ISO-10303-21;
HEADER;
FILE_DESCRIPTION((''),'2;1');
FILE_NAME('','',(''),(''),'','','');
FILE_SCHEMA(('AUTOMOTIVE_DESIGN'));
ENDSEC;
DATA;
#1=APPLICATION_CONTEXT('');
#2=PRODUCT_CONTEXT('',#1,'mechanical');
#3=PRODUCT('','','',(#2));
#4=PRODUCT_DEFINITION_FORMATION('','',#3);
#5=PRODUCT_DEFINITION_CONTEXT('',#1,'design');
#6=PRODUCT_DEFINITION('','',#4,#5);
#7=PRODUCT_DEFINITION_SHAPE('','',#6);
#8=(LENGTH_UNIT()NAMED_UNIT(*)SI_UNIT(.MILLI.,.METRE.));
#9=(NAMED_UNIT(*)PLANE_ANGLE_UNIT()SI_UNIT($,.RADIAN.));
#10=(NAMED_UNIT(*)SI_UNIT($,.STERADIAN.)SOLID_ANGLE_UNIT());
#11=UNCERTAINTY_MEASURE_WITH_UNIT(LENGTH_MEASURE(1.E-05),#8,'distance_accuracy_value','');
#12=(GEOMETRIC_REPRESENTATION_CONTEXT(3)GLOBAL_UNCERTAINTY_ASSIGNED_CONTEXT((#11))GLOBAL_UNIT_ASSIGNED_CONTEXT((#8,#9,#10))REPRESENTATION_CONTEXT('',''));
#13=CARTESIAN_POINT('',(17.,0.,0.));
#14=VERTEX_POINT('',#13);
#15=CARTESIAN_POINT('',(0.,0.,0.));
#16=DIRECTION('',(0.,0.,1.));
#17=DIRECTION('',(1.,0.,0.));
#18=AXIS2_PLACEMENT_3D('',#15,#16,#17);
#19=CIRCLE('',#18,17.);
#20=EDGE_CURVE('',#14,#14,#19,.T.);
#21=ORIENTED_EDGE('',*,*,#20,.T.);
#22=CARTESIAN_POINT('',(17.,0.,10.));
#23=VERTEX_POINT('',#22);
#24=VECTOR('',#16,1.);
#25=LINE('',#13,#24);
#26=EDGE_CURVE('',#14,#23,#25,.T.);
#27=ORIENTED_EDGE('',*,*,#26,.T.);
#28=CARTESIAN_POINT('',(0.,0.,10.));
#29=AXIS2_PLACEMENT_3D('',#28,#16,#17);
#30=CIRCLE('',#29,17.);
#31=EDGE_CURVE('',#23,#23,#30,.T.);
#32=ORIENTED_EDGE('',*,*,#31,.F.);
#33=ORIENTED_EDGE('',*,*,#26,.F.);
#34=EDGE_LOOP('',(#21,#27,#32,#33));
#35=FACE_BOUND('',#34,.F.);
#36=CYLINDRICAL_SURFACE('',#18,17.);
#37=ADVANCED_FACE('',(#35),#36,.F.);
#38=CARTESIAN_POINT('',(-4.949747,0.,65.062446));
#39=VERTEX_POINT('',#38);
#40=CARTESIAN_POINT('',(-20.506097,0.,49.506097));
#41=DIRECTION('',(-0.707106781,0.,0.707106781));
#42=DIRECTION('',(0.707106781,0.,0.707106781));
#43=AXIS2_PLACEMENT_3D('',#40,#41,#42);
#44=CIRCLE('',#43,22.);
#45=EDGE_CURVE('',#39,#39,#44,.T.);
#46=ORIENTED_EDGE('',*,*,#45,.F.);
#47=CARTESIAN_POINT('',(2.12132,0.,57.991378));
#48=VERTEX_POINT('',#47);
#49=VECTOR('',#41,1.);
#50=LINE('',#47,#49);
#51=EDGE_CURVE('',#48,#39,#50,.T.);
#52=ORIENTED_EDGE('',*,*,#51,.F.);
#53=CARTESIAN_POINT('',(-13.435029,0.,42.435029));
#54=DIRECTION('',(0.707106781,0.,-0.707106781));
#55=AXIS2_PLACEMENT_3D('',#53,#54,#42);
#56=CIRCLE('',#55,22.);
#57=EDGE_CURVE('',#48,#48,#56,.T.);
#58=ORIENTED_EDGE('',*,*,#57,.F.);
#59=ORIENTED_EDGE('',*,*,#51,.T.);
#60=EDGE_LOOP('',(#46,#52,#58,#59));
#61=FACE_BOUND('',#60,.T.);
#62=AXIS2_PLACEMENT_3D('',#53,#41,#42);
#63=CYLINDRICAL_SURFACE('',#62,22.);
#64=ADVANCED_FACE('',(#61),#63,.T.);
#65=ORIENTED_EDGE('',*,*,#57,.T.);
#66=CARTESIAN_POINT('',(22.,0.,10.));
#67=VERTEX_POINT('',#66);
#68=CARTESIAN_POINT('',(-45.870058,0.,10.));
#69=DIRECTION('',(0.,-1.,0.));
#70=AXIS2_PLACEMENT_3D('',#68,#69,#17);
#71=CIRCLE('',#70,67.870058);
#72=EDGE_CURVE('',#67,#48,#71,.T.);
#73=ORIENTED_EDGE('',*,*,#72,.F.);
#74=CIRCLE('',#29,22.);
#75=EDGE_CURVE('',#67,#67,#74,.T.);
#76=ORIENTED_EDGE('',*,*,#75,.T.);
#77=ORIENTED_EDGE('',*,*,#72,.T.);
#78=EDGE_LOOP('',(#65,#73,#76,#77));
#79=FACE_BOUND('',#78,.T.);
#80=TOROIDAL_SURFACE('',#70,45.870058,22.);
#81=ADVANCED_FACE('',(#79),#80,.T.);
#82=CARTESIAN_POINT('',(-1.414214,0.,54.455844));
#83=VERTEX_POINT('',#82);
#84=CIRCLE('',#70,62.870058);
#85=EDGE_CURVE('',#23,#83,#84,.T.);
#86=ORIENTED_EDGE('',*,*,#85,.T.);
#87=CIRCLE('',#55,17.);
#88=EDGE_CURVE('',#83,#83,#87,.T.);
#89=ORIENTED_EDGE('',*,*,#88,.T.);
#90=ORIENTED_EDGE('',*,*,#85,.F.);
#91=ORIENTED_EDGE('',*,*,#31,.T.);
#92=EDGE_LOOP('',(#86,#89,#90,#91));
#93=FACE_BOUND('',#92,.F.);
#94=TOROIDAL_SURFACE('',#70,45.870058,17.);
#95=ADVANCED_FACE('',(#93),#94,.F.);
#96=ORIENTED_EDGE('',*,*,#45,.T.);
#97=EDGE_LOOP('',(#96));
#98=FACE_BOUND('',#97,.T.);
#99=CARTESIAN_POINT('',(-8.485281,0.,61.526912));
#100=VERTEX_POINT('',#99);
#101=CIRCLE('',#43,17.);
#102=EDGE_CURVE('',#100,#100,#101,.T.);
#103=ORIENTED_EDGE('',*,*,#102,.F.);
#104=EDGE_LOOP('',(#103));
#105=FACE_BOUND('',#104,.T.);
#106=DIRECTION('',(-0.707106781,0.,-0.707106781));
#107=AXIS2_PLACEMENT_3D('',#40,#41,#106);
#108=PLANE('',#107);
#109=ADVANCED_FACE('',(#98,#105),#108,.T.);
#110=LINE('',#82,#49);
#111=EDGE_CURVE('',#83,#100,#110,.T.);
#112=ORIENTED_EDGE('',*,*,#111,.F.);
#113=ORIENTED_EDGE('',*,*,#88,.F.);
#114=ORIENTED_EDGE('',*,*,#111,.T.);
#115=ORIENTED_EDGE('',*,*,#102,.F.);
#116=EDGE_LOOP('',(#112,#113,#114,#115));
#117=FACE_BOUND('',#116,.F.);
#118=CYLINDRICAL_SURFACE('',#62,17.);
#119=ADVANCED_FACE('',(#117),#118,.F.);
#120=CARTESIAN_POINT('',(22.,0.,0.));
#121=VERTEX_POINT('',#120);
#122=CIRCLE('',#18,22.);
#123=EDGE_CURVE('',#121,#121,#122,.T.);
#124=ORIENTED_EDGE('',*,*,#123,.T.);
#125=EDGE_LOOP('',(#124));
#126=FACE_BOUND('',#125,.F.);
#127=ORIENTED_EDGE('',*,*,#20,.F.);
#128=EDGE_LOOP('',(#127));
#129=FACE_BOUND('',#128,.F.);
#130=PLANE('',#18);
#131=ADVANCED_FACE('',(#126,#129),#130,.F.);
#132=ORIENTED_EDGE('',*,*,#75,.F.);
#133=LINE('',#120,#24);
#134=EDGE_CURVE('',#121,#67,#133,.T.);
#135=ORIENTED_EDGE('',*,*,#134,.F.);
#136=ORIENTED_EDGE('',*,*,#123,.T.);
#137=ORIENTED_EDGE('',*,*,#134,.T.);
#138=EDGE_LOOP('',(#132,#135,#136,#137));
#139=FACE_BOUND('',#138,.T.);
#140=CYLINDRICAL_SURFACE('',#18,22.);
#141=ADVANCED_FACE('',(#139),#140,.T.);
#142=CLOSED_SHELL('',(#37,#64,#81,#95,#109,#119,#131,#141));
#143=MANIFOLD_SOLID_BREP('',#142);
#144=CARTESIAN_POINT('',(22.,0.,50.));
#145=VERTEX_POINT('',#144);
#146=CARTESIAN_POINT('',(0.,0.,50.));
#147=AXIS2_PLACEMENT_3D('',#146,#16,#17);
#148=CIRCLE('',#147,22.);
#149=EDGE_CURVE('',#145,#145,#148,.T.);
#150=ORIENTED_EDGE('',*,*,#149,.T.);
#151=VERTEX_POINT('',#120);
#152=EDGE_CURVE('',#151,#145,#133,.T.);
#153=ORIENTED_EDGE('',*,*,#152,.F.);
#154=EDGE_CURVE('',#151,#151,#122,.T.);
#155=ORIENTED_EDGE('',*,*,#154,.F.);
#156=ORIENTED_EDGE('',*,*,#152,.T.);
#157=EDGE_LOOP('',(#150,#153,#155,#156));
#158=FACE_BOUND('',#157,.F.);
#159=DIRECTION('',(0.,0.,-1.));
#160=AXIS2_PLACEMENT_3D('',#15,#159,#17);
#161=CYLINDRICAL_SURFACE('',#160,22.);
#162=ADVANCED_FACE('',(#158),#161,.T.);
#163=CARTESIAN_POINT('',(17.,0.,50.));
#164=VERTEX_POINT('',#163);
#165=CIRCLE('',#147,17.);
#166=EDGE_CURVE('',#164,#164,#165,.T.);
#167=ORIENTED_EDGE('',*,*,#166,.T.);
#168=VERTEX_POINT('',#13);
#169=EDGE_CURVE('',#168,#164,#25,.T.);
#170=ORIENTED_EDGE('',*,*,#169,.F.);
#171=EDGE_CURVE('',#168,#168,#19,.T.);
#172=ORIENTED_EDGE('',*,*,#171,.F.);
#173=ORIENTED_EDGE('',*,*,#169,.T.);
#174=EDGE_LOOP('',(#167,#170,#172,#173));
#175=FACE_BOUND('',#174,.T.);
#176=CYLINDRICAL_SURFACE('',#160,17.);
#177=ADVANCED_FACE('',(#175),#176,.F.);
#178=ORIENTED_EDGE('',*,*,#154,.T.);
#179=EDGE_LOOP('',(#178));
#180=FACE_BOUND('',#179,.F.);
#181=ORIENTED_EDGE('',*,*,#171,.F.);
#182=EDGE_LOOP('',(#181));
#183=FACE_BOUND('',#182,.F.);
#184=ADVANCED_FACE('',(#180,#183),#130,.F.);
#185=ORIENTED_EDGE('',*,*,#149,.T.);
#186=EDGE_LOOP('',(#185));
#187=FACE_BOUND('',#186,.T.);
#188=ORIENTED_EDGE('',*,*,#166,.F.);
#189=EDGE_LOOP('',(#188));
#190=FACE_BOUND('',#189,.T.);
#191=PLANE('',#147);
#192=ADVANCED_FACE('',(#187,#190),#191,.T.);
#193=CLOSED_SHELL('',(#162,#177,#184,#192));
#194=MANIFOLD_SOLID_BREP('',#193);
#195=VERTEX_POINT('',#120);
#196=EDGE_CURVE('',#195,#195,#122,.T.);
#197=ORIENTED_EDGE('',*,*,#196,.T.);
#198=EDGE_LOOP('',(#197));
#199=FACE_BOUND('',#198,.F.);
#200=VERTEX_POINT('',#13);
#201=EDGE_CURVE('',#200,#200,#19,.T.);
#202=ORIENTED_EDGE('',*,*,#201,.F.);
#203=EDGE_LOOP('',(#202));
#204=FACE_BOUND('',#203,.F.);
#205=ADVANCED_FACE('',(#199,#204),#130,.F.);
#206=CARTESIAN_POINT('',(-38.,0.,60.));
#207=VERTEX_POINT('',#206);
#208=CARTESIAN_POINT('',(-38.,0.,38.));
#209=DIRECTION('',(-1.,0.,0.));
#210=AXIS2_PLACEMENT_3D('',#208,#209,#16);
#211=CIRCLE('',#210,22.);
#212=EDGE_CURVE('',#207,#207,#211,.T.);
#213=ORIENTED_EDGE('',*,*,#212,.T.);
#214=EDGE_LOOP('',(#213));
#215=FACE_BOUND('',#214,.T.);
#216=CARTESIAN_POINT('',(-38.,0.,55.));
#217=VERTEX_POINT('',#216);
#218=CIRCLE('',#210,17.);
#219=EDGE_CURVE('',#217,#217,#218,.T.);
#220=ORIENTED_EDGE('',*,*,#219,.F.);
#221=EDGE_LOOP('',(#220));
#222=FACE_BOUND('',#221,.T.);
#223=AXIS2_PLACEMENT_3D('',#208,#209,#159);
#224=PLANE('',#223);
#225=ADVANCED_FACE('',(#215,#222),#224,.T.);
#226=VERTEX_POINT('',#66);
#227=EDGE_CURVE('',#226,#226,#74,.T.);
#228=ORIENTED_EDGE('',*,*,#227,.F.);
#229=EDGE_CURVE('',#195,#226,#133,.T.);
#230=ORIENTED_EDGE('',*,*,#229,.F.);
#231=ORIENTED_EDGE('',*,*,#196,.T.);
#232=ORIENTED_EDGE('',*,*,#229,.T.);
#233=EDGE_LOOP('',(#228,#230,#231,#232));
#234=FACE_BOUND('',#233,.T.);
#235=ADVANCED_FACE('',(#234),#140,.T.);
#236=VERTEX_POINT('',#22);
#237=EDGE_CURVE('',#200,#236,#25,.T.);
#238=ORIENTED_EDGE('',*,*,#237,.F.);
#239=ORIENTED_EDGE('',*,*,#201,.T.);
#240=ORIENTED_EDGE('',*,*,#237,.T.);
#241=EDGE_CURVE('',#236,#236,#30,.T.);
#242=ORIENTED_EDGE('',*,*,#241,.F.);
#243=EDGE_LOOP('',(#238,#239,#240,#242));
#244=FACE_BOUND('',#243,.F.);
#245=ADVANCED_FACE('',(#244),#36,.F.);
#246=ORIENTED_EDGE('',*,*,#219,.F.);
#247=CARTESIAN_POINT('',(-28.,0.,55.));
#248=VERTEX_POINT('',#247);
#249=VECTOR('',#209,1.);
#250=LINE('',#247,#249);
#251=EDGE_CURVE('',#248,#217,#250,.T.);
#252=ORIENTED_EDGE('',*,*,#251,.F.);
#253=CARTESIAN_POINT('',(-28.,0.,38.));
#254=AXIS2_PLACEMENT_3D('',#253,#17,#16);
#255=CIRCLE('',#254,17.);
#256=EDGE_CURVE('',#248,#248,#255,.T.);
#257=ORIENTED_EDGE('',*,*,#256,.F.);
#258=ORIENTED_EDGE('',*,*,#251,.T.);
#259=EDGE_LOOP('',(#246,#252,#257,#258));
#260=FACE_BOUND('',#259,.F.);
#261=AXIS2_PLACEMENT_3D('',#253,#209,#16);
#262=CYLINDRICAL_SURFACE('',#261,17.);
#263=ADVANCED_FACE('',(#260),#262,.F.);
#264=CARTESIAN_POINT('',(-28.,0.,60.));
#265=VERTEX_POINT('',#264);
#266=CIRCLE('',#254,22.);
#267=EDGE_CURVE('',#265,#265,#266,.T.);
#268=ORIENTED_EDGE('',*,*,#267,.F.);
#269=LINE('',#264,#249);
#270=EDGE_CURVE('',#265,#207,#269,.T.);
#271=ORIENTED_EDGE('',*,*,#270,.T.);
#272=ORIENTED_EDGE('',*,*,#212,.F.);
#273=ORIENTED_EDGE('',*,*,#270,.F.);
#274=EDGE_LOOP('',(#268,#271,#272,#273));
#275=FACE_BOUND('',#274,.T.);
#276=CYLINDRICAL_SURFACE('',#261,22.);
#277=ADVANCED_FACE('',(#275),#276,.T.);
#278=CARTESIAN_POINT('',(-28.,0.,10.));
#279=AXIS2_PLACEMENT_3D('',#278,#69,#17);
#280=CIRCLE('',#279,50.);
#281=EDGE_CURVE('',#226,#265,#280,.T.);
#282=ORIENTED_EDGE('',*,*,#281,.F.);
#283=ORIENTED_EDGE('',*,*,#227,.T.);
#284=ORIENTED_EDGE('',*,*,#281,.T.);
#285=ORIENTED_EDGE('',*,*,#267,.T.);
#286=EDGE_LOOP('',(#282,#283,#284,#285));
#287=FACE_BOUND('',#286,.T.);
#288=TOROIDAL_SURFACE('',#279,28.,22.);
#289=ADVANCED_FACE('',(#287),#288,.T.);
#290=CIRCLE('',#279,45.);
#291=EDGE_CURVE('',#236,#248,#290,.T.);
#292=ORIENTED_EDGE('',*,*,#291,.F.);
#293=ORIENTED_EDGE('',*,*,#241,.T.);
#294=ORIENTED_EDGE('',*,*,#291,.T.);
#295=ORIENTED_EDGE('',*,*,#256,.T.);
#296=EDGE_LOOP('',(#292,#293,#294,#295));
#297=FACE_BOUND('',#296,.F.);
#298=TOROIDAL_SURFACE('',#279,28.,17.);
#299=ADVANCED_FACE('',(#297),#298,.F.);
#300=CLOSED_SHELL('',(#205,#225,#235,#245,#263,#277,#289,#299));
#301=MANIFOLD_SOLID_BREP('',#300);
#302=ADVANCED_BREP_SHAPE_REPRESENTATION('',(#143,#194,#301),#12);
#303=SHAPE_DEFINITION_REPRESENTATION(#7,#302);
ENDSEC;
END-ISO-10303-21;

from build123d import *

# Parameters (mm, degrees)
F1_R     = 22
F1_R_2   = 17
F5_DEPTH = 50


with BuildPart() as f2:
    # F2: sweep along a path in F0
    with BuildLine(Plane.XZ) as f2_path:
        Line((0, 0), (0, 10))
        ThreePointArc((0, 10), (-8.2010101268, 29.7989898732), (-28, 38))
        Line((-28, 38), (-38, 38))
    # F1 (on Top) → F2 (sweep)
    with BuildSketch(Plane.XY):
        Circle(F1_R)
        Circle(F1_R_2, mode=Mode.SUBTRACT)
    sweep(path=f2_path.line)


with BuildPart() as f4:
    # F4: sweep along a path in F3
    with BuildLine(Plane.XZ) as f4_path:
        Line((0, 0), (0, 10))
        ThreePointArc((0, 10), (-3.4916502347, 27.5537111177), (-13.4350288425, 42.4350288425))
        Line((-13.4350288425, 42.4350288425), (-20.5060966544, 49.5060966544))
    # F1 (on Top) → F4 (sweep)
    with BuildSketch(Plane.XY):
        Circle(F1_R)
        Circle(F1_R_2, mode=Mode.SUBTRACT)
    sweep(path=f4_path.line)


with BuildPart() as f5:
    # F1 (on Top) → F5 (new body)
    with BuildSketch(Plane.XY):
        Circle(F1_R)
        Circle(F1_R_2, mode=Mode.SUBTRACT)
    extrude(amount=F5_DEPTH)


solid = Compound([f2.part, f4.part, f5.part])
